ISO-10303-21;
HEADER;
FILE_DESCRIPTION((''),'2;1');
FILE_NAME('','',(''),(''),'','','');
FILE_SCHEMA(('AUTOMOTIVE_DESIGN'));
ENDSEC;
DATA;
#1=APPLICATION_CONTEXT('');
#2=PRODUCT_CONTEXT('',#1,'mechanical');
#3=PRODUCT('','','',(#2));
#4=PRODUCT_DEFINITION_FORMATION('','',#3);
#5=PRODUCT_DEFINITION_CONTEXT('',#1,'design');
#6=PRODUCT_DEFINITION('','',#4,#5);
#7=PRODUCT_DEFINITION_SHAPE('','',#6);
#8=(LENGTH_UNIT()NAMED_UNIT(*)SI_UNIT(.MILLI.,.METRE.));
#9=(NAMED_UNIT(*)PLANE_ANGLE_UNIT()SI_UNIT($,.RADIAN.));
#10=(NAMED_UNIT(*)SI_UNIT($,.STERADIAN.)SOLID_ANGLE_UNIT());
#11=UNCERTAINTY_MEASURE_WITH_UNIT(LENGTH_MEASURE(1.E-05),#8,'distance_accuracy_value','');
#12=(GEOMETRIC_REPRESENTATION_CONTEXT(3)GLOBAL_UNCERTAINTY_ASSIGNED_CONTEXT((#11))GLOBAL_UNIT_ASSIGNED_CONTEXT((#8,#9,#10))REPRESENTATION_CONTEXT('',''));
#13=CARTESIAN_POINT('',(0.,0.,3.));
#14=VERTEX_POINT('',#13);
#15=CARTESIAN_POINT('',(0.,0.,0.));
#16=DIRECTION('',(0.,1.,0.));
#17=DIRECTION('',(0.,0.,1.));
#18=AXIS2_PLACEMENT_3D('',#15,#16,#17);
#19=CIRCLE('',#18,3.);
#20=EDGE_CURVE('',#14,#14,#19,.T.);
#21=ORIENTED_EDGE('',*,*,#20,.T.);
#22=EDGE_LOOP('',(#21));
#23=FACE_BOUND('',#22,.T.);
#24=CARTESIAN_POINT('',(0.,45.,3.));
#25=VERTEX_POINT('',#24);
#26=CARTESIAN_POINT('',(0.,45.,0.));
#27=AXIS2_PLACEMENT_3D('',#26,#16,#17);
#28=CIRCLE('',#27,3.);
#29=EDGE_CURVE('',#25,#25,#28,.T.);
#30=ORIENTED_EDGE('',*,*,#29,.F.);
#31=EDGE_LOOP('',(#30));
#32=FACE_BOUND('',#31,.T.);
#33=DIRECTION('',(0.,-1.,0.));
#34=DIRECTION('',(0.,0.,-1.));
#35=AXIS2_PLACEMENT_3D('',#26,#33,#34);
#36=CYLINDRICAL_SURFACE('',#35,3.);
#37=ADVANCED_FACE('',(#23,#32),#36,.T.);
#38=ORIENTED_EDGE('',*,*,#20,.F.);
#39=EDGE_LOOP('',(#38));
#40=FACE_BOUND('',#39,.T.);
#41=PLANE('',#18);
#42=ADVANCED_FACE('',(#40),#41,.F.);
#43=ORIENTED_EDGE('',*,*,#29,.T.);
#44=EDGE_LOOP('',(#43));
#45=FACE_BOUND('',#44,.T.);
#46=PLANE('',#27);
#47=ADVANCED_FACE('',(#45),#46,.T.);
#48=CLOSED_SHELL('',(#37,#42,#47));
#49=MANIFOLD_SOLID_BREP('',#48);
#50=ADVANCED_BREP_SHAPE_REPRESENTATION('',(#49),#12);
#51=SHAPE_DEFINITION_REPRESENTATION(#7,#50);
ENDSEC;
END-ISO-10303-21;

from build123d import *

# Parameters (mm, degrees)
SKETCH2_R           = 3
BOSS_EXTRUDE1_DEPTH = 45


with BuildPart() as part:
    # Sketch2 → Boss-Extrude1 (new body)
    with BuildSketch(Plane(origin=(0, 0, 0), x_dir=(1, 0, 0), z_dir=(0, 1, 0))):
        Circle(SKETCH2_R)
    extrude(amount=BOSS_EXTRUDE1_DEPTH)


solid = part.part
